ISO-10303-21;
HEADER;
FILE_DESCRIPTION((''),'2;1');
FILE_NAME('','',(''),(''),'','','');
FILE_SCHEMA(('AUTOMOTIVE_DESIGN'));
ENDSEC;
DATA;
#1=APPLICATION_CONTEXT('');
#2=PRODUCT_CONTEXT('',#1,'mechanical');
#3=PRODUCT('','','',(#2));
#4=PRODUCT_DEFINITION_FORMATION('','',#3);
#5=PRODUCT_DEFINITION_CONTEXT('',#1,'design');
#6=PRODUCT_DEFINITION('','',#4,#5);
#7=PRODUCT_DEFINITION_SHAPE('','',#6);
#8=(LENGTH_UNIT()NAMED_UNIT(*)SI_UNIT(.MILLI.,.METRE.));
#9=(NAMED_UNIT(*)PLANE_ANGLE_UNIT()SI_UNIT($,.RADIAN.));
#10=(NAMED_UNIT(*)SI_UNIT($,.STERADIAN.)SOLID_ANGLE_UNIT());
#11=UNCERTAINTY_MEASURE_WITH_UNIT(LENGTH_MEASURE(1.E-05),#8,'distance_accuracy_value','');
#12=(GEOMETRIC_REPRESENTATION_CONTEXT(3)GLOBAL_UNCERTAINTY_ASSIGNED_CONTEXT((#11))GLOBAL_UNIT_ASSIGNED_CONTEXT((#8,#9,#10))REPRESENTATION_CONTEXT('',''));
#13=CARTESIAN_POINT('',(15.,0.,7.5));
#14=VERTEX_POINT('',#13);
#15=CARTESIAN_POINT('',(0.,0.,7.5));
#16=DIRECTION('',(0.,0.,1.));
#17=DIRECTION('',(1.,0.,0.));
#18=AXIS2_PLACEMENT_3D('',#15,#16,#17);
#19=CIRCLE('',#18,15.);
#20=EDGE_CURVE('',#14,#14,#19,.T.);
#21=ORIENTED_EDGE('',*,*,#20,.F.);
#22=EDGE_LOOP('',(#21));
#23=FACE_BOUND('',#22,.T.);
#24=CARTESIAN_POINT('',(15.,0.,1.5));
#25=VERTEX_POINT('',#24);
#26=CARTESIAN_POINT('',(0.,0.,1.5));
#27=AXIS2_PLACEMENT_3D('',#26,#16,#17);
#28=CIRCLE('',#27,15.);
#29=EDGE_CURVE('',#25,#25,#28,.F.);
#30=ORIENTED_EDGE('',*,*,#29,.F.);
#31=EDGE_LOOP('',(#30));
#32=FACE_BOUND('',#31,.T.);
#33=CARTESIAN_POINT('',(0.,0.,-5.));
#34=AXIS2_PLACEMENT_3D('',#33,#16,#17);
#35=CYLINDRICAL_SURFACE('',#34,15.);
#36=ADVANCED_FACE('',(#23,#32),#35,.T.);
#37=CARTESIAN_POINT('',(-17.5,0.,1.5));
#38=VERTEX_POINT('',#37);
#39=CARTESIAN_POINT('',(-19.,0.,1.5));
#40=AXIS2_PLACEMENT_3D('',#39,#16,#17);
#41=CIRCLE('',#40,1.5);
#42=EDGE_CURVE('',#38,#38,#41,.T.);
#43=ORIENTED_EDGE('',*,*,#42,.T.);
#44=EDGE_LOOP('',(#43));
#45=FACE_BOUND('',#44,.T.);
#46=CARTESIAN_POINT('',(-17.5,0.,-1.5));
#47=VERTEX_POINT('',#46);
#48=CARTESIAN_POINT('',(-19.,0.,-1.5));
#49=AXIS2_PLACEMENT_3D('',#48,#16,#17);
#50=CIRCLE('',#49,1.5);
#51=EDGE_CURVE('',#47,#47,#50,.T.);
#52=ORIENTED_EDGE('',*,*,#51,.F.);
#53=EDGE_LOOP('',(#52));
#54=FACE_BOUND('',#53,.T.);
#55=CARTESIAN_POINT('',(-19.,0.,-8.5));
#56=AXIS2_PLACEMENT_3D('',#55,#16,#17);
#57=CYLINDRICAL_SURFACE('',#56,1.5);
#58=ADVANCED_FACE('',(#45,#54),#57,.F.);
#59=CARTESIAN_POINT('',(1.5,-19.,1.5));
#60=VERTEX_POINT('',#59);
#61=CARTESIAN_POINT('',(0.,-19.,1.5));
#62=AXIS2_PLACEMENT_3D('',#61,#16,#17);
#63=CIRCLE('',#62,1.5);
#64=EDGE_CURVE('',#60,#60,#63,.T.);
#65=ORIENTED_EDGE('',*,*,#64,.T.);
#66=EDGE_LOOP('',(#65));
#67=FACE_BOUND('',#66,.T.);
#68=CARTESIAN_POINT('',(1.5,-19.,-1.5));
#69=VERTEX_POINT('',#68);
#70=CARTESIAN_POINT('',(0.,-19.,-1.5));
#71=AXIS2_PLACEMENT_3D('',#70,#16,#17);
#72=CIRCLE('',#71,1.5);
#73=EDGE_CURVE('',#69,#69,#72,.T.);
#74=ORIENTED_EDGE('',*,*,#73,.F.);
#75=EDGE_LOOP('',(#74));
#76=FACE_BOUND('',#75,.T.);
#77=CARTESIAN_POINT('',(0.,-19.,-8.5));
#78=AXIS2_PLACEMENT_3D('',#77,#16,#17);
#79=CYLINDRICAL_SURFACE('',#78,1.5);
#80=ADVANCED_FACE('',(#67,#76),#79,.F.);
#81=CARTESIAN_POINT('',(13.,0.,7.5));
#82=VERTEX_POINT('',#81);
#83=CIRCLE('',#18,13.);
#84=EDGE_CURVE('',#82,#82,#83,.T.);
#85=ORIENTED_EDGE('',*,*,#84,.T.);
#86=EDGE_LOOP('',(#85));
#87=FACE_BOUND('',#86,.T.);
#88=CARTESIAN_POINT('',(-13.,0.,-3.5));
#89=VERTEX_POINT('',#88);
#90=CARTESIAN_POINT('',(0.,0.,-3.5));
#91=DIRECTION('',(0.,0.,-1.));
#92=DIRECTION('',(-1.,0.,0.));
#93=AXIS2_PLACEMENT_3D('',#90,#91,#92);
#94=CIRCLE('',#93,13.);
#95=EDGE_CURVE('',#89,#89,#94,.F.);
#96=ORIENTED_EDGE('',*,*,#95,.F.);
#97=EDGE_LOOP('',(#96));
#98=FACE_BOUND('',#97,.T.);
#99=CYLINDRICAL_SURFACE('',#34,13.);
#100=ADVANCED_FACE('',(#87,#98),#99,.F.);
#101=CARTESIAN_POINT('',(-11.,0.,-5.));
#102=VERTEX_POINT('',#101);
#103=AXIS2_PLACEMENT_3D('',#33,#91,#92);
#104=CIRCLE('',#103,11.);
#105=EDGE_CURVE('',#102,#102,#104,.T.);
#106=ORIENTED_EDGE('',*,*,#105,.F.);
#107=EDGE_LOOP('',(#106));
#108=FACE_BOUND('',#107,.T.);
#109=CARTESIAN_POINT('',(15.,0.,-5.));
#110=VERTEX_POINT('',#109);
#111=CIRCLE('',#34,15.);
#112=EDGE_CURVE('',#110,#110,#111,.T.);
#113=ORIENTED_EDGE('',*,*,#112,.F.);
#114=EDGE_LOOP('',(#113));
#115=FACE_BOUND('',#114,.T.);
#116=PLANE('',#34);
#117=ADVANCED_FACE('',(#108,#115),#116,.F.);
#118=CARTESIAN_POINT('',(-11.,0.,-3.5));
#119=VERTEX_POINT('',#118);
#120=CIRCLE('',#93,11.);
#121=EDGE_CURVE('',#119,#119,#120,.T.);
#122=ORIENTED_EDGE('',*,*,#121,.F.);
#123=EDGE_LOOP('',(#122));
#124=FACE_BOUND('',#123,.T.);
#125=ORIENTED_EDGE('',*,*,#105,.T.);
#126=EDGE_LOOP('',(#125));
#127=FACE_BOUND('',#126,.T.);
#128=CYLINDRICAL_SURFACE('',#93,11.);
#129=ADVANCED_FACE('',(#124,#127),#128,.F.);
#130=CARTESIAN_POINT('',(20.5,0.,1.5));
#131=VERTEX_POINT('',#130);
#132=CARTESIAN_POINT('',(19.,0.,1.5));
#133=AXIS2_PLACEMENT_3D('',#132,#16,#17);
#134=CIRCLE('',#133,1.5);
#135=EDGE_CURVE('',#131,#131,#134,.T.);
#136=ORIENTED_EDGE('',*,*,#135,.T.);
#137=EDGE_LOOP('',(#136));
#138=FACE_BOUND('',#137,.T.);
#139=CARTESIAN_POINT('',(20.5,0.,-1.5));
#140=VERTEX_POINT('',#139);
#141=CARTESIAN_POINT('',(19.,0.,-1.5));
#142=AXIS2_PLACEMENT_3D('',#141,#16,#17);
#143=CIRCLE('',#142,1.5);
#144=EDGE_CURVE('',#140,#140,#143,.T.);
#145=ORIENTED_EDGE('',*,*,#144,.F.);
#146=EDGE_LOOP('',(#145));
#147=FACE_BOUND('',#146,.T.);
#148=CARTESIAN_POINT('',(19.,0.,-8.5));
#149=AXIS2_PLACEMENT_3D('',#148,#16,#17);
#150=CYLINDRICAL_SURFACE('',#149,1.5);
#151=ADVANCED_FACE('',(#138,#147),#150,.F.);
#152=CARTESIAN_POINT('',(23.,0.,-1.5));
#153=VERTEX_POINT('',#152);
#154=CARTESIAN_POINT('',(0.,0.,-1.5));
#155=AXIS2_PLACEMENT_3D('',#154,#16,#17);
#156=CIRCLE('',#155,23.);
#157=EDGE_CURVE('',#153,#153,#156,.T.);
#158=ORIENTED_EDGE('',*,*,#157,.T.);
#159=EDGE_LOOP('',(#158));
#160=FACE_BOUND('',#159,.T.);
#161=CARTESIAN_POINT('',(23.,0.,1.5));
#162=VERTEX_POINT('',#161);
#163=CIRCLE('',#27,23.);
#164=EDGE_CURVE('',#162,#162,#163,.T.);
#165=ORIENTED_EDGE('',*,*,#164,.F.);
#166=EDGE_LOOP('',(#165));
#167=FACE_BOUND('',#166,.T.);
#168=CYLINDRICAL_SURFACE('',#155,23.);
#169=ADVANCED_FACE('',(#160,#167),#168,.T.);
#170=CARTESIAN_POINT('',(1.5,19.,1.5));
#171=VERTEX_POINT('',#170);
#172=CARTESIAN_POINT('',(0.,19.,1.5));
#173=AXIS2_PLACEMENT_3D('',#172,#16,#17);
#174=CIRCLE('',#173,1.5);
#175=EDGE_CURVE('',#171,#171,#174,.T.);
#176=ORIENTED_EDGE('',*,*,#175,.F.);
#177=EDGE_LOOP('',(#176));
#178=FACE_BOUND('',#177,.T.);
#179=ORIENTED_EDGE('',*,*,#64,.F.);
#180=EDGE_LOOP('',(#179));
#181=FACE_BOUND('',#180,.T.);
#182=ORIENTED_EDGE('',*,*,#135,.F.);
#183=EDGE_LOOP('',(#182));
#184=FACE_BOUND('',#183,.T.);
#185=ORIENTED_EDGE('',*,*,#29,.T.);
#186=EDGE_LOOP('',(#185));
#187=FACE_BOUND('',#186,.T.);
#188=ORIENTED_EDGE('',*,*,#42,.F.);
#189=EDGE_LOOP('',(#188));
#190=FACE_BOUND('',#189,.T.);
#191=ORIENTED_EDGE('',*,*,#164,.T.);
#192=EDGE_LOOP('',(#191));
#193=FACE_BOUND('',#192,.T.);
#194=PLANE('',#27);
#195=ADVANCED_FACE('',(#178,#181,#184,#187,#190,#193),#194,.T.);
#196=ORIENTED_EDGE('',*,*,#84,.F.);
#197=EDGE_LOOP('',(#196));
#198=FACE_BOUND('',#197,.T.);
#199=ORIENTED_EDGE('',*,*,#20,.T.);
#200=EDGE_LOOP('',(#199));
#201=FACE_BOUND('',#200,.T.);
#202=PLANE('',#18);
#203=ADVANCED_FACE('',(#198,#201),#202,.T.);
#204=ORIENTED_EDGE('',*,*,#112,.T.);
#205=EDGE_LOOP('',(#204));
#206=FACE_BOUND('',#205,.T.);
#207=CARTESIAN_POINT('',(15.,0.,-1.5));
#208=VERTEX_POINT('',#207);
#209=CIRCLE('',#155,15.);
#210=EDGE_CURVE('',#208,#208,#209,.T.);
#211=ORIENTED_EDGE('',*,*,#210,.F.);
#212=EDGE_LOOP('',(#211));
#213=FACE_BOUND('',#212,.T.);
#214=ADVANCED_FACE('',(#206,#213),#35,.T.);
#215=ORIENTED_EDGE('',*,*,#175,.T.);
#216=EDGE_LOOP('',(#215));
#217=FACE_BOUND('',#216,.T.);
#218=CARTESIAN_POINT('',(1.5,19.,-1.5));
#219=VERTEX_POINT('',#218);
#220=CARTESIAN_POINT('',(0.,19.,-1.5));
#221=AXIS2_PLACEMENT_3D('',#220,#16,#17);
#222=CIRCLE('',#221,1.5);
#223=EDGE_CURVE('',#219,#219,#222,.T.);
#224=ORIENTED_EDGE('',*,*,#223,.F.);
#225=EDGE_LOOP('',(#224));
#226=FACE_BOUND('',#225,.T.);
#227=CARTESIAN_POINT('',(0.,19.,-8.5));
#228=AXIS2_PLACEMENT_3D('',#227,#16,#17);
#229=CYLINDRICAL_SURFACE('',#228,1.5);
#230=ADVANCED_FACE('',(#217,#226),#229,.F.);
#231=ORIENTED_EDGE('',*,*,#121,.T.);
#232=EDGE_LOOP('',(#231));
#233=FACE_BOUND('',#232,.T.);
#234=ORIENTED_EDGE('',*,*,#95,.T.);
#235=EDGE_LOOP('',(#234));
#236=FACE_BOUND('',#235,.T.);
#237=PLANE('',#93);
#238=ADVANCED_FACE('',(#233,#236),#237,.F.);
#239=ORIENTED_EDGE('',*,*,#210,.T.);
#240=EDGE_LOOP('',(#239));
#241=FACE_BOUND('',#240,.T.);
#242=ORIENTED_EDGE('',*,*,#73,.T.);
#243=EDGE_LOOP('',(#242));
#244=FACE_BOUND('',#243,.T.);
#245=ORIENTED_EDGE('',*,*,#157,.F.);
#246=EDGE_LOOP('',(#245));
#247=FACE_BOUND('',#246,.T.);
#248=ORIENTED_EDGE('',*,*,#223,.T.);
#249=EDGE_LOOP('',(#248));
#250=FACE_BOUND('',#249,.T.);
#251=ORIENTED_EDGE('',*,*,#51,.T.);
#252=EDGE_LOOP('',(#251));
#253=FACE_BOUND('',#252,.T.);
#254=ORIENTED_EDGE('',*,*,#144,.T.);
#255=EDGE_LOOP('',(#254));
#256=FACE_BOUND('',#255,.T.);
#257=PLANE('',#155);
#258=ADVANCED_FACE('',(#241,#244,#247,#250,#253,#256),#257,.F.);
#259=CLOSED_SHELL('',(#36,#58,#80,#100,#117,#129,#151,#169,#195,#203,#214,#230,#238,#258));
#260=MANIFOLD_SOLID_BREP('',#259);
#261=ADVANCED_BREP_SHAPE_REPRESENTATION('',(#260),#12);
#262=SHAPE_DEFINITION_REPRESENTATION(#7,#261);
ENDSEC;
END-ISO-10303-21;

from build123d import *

# Parameters (mm, degrees)
BOSS_EXTRUDE1_DEPTH      = 7.5
BOSS_EXTRUDE1_DEPTH_BACK = 5
SKETCH1_R                = 15
SKETCH1_R_2              = 13
BOSS_EXTRUDE2_DEPTH      = 1.5
BOSS_EXTRUDE2_DEPTH_BACK = 1.5
SKETCH2_R                = 23
SKETCH2_R_2              = 15
SKETCH4_R                = 13
SKETCH4_R_2              = 11
BOSS_EXTRUDE3_DEPTH      = 1.5
SKETCH6_R                = 1.5
CUT_EXTRUDE1_DEPTH       = 10


with BuildPart() as part:
    # Sketch1 → Boss-Extrude1 (new, two sides: drawn at the far end of the back side and taken through both)
    with BuildSketch(Plane.XY.offset(-BOSS_EXTRUDE1_DEPTH_BACK)):
        Circle(SKETCH1_R)
        Circle(SKETCH1_R_2, mode=Mode.SUBTRACT)
    extrude(amount=BOSS_EXTRUDE1_DEPTH + BOSS_EXTRUDE1_DEPTH_BACK)

    # Sketch2 → Boss-Extrude2 (add, two sides: drawn at the far end of the back side and taken through both)
    with BuildSketch(Plane.XY.offset(-BOSS_EXTRUDE2_DEPTH_BACK)):
        Circle(SKETCH2_R)
        Circle(SKETCH2_R_2, mode=Mode.SUBTRACT)
    extrude(amount=BOSS_EXTRUDE2_DEPTH + BOSS_EXTRUDE2_DEPTH_BACK)

    # Sketch4 → Boss-Extrude3 (add)
    with BuildSketch(Plane(origin=(0, 0, -5), x_dir=(-1, 0, 0), z_dir=(0, 0, -1))):
        with Locations(Location((0, 0, 0), (0, 0, 180))):
            Circle(SKETCH4_R)
        Circle(SKETCH4_R_2, mode=Mode.SUBTRACT)
    extrude(amount=-BOSS_EXTRUDE3_DEPTH)

    # Sketch6 → Cut-Extrude1 (cut)
    with BuildSketch(Plane.XY.offset(1.5)):
        with Locations((0, 19)):
            Circle(SKETCH6_R)
        with Locations((19, 0)):
            Circle(SKETCH6_R)
        with Locations((0, -19)):
            Circle(SKETCH6_R)
        with Locations((-19, 0)):
            Circle(SKETCH6_R)
    extrude(amount=-CUT_EXTRUDE1_DEPTH, mode=Mode.SUBTRACT)


solid = part.part
